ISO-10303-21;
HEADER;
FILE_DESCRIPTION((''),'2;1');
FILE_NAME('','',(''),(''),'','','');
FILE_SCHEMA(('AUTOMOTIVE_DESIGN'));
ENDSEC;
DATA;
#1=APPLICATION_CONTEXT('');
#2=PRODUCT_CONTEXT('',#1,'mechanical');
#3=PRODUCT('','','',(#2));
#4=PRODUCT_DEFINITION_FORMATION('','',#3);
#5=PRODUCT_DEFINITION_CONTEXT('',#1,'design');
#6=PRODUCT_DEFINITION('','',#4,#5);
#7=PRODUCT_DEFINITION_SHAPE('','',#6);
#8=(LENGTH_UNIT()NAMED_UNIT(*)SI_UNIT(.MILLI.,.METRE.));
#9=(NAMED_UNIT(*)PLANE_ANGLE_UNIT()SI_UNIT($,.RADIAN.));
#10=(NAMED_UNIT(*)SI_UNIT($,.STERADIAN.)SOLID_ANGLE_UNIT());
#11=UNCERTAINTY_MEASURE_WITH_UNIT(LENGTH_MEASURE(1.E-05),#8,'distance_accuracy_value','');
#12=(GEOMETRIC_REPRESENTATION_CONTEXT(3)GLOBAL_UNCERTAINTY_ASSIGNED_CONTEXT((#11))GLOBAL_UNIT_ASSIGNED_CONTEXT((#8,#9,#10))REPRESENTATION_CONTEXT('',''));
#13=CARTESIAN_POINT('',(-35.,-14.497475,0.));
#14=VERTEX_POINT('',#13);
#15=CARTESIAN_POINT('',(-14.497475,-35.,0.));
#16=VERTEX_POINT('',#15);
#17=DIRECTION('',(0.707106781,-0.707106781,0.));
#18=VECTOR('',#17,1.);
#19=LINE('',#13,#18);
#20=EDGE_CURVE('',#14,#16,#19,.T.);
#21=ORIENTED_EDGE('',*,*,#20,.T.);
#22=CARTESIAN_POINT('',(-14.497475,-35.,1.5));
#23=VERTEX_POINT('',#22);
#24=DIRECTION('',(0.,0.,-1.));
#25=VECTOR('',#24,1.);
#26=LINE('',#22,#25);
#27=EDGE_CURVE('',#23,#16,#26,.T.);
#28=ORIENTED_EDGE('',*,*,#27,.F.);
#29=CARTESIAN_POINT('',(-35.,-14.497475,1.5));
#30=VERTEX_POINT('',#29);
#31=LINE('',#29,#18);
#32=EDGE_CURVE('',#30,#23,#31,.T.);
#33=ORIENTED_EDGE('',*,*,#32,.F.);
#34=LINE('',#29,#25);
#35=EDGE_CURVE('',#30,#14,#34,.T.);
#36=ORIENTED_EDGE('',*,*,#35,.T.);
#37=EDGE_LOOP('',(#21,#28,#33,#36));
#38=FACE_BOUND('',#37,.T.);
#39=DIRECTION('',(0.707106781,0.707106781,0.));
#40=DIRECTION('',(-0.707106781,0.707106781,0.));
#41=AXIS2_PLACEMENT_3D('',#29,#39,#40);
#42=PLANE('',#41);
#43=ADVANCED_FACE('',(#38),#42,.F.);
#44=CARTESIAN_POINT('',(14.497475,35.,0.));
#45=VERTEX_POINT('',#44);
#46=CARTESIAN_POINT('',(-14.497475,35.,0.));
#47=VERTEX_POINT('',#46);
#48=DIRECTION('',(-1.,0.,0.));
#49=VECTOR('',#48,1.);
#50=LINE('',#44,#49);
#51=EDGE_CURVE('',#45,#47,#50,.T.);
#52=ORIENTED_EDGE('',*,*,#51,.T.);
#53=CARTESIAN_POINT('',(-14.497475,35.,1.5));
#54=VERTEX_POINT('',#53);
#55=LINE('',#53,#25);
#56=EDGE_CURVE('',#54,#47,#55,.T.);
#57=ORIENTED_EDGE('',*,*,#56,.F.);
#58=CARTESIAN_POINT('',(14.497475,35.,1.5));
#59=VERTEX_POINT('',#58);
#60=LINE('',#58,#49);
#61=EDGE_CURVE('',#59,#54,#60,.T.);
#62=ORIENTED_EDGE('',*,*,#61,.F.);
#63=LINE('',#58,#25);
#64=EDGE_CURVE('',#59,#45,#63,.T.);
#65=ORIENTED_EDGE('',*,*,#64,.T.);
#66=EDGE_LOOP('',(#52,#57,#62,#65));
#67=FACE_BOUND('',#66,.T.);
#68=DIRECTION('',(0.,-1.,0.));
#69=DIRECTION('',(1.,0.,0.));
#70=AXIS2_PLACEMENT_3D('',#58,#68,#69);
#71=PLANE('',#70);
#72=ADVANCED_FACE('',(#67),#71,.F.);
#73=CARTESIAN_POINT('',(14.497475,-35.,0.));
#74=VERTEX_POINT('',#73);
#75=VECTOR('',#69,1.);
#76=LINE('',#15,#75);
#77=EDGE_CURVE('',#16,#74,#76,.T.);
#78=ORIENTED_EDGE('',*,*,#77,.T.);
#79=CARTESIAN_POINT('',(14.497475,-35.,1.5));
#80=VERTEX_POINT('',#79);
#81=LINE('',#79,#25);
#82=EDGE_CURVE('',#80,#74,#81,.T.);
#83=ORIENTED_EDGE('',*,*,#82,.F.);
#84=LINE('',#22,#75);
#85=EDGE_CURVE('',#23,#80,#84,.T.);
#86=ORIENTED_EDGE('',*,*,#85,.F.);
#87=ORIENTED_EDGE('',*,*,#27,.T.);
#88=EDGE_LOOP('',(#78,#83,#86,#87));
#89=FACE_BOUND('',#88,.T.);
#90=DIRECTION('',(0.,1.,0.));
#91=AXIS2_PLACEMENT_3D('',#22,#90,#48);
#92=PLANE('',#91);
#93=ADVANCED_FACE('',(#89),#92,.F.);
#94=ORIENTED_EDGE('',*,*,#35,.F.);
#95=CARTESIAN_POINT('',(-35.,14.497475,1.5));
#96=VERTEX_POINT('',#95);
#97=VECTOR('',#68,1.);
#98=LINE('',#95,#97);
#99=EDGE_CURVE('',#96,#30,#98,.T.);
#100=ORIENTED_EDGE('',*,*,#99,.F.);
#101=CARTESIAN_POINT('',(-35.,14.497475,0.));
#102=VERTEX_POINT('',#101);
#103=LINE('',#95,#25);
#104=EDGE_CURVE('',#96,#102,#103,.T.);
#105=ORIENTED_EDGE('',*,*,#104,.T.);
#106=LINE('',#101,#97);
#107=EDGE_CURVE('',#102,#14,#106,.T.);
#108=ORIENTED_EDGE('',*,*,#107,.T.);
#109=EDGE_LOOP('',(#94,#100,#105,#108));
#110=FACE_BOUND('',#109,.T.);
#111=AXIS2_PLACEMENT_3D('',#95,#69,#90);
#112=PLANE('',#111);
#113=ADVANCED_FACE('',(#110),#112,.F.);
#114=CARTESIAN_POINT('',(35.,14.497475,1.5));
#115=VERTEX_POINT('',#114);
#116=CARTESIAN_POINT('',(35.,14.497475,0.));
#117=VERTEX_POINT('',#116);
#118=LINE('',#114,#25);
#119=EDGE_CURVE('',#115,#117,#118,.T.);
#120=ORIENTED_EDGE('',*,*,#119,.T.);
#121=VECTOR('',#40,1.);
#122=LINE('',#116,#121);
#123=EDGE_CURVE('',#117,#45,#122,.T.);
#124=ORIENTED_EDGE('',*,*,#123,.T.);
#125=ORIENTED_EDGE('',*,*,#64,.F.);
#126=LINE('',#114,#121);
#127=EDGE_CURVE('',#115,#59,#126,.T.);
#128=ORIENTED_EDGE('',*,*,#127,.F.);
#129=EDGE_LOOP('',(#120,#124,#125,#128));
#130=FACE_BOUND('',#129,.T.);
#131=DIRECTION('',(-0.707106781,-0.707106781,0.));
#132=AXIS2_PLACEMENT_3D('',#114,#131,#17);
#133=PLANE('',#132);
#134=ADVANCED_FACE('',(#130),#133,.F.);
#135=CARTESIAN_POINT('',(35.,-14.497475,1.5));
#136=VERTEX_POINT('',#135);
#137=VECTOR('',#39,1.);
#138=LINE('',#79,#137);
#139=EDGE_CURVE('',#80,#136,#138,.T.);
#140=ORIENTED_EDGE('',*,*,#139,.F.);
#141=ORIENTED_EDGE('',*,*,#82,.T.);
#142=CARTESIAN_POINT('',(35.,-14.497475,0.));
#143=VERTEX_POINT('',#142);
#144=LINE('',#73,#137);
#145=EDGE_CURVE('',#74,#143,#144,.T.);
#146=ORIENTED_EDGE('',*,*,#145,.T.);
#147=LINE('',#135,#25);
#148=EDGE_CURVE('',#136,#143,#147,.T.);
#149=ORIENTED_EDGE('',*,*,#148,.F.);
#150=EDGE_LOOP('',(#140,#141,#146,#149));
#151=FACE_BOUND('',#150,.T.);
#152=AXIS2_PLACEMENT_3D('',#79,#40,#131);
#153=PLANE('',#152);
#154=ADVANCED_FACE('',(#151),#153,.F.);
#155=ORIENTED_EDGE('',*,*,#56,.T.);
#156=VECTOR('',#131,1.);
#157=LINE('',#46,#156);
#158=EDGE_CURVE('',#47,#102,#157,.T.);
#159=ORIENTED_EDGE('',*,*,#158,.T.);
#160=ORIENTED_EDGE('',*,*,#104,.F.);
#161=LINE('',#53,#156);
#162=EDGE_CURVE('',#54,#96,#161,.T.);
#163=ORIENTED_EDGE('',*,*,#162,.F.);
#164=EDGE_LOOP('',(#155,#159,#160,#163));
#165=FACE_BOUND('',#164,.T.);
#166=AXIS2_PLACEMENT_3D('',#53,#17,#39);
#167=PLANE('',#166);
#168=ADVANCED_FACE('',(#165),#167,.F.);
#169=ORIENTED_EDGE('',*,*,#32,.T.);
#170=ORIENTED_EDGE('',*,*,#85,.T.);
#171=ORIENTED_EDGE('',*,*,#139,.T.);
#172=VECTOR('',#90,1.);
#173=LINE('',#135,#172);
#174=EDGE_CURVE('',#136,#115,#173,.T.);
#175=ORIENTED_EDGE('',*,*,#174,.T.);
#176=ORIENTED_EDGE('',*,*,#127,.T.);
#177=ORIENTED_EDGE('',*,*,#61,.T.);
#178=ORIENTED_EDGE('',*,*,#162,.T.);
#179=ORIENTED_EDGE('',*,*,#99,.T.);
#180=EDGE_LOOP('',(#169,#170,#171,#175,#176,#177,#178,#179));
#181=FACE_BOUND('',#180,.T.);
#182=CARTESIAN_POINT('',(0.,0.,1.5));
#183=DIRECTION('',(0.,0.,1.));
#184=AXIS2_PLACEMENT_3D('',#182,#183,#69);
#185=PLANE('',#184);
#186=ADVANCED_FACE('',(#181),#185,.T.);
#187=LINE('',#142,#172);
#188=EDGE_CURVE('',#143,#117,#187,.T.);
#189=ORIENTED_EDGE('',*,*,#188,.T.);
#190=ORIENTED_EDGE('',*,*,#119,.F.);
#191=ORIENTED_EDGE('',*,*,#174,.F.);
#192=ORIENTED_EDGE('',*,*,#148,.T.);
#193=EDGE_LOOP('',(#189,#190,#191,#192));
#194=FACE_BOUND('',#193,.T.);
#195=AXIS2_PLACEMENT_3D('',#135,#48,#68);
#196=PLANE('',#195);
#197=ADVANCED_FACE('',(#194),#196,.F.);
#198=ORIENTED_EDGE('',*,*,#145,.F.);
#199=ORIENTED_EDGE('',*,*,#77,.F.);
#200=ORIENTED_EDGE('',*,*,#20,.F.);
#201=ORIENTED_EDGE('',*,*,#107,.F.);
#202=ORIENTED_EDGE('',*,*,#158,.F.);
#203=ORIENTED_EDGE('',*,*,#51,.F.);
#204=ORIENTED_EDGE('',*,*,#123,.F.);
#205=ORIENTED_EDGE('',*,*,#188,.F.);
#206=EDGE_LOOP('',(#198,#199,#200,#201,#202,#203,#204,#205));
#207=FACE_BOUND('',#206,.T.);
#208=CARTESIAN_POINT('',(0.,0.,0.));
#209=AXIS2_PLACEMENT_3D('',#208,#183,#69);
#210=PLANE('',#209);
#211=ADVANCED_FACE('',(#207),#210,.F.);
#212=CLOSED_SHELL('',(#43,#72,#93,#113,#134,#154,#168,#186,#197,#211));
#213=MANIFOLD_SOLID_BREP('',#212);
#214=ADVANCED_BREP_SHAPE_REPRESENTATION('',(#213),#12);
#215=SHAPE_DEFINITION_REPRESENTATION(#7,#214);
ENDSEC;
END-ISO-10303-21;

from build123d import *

# Parameters (mm, degrees)
BOSS_EXTRUDE2_DEPTH = 1.5


with BuildPart() as part:
    # Sketch2 → Boss-Extrude2 (new body)
    with BuildSketch(Plane.XY):
        Polygon((35, 14.497474683), (14.497474683, 35), (-14.497474683, 35), (-35, 14.497474683), (-35, -14.497474683), (-14.497474683, -35), (14.497474683, -35), (35, -14.497474683), align=None)
    extrude(amount=BOSS_EXTRUDE2_DEPTH)


solid = part.part
